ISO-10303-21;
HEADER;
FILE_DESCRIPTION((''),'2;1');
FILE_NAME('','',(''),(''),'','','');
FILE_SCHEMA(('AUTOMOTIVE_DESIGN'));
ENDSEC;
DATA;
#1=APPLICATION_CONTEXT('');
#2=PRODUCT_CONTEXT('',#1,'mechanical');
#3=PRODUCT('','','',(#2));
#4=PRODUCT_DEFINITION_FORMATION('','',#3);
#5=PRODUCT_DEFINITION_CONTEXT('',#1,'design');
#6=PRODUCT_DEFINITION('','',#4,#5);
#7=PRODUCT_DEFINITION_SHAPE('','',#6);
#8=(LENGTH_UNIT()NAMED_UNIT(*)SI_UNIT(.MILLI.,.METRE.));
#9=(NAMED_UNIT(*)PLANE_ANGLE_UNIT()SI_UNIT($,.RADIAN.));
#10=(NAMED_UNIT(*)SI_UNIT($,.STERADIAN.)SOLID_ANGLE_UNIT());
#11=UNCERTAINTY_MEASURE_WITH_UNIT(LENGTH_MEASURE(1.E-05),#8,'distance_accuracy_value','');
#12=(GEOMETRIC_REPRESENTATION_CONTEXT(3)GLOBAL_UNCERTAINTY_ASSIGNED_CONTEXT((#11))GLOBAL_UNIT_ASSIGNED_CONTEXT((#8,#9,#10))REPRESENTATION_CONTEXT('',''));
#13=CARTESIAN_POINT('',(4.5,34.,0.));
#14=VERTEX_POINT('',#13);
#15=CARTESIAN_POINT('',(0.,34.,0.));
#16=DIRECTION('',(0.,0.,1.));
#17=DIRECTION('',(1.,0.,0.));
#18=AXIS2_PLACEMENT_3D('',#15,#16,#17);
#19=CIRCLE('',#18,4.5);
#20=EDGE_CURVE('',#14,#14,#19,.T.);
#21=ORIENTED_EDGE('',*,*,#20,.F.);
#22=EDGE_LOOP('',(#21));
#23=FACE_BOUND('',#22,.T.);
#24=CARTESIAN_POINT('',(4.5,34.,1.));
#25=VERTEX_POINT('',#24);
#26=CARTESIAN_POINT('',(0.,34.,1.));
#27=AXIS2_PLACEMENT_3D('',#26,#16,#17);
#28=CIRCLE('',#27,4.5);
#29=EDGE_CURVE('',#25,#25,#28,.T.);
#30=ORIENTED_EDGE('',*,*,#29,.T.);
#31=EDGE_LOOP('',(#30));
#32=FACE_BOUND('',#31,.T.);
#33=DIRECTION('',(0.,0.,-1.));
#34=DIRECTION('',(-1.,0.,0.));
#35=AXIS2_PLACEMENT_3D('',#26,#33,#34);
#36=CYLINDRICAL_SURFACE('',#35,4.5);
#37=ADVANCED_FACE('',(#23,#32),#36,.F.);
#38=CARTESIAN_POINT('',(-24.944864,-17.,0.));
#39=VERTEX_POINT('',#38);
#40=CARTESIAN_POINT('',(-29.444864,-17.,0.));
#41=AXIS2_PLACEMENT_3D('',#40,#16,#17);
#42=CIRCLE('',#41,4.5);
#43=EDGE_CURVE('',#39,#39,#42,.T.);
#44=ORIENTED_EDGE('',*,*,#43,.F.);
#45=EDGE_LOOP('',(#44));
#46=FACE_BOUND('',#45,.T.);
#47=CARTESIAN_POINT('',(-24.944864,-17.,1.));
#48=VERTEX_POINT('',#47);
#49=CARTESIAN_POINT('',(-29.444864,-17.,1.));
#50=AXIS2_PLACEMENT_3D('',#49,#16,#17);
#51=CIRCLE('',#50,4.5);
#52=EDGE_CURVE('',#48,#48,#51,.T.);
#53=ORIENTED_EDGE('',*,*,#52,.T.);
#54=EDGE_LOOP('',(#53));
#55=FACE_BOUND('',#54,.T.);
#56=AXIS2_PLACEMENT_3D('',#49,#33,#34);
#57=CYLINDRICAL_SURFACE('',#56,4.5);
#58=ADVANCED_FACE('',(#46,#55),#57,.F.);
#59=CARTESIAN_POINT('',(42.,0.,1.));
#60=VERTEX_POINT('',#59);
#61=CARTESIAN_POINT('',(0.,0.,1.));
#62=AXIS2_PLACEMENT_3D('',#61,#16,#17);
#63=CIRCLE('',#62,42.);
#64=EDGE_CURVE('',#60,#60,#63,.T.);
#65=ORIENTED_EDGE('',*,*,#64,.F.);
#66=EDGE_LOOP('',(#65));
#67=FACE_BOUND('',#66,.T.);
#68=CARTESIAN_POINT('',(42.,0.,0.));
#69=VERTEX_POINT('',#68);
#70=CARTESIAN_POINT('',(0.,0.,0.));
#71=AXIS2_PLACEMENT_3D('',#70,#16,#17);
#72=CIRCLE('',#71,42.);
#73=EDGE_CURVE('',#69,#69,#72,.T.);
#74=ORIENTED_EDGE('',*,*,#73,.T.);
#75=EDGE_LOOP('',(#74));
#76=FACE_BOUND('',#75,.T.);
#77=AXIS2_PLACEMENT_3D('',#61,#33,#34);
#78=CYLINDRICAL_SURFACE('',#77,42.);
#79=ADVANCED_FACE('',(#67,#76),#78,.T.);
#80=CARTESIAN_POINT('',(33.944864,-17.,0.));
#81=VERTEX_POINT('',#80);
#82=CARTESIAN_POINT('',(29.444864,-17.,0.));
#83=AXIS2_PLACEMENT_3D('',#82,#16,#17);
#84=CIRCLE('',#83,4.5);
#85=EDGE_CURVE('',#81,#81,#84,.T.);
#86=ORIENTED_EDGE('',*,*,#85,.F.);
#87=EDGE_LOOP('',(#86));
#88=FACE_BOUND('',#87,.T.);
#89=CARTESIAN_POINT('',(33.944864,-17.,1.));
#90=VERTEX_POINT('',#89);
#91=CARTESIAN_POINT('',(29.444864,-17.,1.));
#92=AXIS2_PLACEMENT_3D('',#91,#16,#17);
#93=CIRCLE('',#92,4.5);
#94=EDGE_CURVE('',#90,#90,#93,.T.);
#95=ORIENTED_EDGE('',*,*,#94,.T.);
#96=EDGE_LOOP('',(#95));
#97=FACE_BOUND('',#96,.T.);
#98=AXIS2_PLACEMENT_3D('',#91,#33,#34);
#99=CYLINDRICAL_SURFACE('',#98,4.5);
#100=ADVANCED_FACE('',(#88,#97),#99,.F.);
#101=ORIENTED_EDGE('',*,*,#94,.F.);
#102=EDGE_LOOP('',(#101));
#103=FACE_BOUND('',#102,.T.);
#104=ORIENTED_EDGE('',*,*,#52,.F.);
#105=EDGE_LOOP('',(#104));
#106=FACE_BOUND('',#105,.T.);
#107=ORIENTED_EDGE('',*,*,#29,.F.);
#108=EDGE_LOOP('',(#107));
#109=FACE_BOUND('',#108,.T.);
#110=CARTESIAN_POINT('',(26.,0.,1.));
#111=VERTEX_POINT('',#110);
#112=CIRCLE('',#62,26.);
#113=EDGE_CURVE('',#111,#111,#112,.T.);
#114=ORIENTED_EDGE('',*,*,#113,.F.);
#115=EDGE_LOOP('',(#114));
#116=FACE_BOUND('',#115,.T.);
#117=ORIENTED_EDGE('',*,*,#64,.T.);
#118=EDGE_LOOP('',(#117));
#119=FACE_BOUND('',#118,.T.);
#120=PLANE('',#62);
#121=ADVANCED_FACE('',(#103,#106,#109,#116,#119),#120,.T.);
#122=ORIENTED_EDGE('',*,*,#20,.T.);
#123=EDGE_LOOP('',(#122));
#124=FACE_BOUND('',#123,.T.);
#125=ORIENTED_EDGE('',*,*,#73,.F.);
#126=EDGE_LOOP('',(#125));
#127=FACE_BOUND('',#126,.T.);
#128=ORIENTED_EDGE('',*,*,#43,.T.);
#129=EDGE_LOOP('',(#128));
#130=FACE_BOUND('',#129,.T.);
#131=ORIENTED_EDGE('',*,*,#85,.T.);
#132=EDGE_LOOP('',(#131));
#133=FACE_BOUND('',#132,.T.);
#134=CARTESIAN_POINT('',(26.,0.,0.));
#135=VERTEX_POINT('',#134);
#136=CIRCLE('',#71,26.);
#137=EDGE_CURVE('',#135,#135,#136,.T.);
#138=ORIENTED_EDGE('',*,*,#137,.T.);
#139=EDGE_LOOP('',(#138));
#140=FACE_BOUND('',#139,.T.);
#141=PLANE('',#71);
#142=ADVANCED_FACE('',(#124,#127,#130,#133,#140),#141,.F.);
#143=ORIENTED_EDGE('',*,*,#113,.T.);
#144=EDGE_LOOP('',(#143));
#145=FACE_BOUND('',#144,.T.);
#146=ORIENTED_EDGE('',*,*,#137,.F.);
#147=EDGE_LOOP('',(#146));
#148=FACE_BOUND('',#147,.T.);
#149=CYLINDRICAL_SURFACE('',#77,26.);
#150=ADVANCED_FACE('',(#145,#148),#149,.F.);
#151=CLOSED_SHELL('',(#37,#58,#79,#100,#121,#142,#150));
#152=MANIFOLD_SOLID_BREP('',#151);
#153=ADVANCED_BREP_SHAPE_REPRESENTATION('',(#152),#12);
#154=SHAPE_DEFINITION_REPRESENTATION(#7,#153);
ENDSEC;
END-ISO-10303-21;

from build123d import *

# Parameters (mm, degrees)
SCHIZZO1_R                   = 42
SCHIZZO1_R_2                 = 26
SCHIZZO1_R_3                 = 4.5
ESTRUSIONE_ESTRUSIONE1_DEPTH = 1


with BuildPart() as part:
    # Schizzo1 → Estrusione-Estrusione1 (new body)
    with BuildSketch(Plane.XY):
        Circle(SCHIZZO1_R)
        Circle(SCHIZZO1_R_2, mode=Mode.SUBTRACT)
        with Locations((0, 34)):
            Circle(SCHIZZO1_R_3, mode=Mode.SUBTRACT)
        with Locations((29.444863729, -17)):
            Circle(SCHIZZO1_R_3, mode=Mode.SUBTRACT)
        with Locations((-29.444863729, -17)):
            Circle(SCHIZZO1_R_3, mode=Mode.SUBTRACT)
    extrude(amount=ESTRUSIONE_ESTRUSIONE1_DEPTH)


solid = part.part
